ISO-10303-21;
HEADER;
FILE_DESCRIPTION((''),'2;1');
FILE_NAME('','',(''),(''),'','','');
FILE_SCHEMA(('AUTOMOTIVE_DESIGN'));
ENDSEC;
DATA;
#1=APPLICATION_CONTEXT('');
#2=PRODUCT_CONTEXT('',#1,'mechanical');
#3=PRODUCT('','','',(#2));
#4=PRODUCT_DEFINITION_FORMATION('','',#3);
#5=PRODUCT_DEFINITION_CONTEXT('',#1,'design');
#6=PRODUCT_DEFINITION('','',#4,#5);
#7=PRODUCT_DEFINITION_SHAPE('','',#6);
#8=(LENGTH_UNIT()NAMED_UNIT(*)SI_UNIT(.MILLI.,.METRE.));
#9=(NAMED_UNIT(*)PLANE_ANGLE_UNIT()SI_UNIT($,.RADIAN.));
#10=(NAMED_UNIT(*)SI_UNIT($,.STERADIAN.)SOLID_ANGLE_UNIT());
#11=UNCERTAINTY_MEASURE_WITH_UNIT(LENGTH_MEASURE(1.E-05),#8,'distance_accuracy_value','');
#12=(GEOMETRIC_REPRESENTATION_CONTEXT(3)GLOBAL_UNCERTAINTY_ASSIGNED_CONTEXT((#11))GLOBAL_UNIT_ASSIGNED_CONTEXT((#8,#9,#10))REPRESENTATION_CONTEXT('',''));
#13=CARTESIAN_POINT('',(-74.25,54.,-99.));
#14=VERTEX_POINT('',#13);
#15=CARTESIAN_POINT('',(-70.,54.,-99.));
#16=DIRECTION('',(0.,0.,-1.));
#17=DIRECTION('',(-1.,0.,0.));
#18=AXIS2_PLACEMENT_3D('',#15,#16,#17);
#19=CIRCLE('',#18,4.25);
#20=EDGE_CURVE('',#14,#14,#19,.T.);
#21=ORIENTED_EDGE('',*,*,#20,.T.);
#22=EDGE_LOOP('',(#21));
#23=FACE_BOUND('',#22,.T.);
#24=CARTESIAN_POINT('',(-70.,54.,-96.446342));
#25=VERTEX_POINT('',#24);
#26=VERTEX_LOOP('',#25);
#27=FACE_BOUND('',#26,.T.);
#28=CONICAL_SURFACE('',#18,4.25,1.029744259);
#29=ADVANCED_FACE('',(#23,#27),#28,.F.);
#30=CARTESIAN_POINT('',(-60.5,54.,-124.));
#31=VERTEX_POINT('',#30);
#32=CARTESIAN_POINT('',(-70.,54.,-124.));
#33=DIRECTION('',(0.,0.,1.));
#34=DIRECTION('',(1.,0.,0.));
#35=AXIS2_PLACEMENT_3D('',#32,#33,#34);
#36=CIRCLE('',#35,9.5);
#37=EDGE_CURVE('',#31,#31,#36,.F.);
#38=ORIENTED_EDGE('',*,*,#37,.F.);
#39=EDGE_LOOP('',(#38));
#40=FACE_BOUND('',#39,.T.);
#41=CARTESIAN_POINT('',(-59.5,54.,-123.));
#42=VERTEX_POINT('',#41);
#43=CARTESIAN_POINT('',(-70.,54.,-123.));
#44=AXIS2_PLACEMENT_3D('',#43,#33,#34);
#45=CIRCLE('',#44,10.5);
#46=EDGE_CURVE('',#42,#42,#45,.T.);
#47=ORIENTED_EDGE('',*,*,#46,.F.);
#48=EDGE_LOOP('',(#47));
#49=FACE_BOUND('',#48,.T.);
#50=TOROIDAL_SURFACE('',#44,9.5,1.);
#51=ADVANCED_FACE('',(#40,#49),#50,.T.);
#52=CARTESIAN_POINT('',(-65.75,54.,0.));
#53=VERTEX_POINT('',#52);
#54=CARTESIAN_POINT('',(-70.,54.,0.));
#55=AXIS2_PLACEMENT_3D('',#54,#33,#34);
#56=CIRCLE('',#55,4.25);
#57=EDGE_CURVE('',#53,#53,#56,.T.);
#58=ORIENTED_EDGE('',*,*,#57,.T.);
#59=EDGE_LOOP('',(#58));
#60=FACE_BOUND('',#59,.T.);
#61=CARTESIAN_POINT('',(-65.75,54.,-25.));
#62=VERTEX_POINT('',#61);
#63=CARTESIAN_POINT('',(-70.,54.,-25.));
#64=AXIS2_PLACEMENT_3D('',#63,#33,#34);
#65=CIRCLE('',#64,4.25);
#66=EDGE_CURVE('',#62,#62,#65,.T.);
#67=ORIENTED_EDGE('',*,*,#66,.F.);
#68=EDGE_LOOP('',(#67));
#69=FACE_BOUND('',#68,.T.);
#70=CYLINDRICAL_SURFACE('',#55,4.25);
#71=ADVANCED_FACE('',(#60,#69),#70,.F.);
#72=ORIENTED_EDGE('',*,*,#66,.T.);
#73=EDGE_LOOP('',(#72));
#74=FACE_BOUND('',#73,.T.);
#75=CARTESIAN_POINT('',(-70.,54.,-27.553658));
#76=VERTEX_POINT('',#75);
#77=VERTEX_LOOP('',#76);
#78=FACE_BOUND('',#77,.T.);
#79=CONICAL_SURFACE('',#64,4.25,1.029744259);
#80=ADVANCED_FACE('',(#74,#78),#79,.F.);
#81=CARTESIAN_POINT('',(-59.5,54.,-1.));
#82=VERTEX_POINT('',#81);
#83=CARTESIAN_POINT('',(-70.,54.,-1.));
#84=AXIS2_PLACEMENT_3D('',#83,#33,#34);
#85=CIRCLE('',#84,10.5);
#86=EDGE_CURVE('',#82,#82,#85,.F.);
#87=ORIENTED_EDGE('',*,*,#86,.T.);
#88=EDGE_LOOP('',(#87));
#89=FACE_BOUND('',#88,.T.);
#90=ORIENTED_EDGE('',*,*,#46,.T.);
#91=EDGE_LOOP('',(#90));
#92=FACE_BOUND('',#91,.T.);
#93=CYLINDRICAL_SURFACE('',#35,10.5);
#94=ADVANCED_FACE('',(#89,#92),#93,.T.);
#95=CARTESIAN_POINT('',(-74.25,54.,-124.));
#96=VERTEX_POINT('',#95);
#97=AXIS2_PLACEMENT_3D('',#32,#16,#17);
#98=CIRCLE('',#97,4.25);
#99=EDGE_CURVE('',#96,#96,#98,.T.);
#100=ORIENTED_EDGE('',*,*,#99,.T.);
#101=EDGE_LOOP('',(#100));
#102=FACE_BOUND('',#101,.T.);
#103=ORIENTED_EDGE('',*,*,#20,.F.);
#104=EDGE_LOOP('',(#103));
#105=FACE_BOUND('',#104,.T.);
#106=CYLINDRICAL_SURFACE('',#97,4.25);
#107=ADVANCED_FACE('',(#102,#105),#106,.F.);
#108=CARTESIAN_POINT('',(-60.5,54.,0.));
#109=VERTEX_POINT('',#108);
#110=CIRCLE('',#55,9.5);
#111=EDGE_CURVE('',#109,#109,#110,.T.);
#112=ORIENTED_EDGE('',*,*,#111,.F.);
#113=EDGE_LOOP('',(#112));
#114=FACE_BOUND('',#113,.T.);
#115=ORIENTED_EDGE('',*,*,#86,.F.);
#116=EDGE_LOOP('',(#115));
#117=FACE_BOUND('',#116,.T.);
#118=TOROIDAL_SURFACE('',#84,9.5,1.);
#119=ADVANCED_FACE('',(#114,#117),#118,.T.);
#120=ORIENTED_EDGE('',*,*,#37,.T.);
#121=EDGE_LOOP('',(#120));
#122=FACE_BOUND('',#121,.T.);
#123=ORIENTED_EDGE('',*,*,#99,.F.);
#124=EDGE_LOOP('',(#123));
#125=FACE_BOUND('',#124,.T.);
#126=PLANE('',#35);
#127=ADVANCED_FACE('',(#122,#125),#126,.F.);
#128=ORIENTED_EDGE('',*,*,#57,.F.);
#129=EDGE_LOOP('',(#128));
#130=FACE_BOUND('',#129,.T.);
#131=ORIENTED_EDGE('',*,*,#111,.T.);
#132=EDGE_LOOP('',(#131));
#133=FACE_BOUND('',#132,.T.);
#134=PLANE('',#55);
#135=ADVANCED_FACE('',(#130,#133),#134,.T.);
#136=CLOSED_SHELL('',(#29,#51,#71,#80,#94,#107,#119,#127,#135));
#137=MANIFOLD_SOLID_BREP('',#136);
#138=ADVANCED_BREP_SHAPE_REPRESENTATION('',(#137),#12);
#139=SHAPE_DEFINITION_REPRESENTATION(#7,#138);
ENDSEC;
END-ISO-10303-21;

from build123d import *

# Parameters (mm, degrees)
ESBO_O1_R                                    = 10.5
RESSALTO_EXTRUS_O1_DEPTH                     = 124
FILETE1_R                                    = 1
BROCA_DE_ROSQUEAR_PARA_TARRAXA_DE_M101_D     = 8.5
BROCA_DE_ROSQUEAR_PARA_TARRAXA_DE_M101_DEPTH = 25
BROCA_DE_ROSQUEAR_PARA_TARRAXA_DE_M101_TIP   = 2.553657631
BROCA_DE_ROSQUEAR_PARA_TARRAXA_DE_M102_D     = 8.5
BROCA_DE_ROSQUEAR_PARA_TARRAXA_DE_M102_DEPTH = 25
BROCA_DE_ROSQUEAR_PARA_TARRAXA_DE_M102_TIP   = 2.553657631


with BuildPart() as part:
    # Esboço1 → Ressalto-extrusão1 (new body)
    with BuildSketch(Plane.XY):
        with Locations((-70, 54)):
            Circle(ESBO_O1_R)
    extrude(amount=-RESSALTO_EXTRUS_O1_DEPTH)

    # Filete1
    filete1_edges = [part.edges().sort_by_distance(p)[0] for p in [
        (-80.5, 54, 0),
        (-80.5, 54, -124),
    ]]
    fillet(filete1_edges, radius=FILETE1_R)

    # Broca de rosquear para tarraxa de M101
    with Locations(Plane.XY):
        with Locations((-70, 54)):
            Hole(BROCA_DE_ROSQUEAR_PARA_TARRAXA_DE_M101_D / 2, depth=BROCA_DE_ROSQUEAR_PARA_TARRAXA_DE_M101_DEPTH)
            with Locations((0, 0, -(BROCA_DE_ROSQUEAR_PARA_TARRAXA_DE_M101_DEPTH + BROCA_DE_ROSQUEAR_PARA_TARRAXA_DE_M101_TIP / 2))):  # 118° drill point
                Cone(0, BROCA_DE_ROSQUEAR_PARA_TARRAXA_DE_M101_D / 2, BROCA_DE_ROSQUEAR_PARA_TARRAXA_DE_M101_TIP, mode=Mode.SUBTRACT)

    # Broca de rosquear para tarraxa de M102
    with Locations(Plane(origin=(0, 0, -124), x_dir=(-1, 0, 0), z_dir=(0, 0, -1))):
        with Locations((70, 54)):
            Hole(BROCA_DE_ROSQUEAR_PARA_TARRAXA_DE_M102_D / 2, depth=BROCA_DE_ROSQUEAR_PARA_TARRAXA_DE_M102_DEPTH)
            with Locations((0, 0, -(BROCA_DE_ROSQUEAR_PARA_TARRAXA_DE_M102_DEPTH + BROCA_DE_ROSQUEAR_PARA_TARRAXA_DE_M102_TIP / 2))):  # 118° drill point
                Cone(0, BROCA_DE_ROSQUEAR_PARA_TARRAXA_DE_M102_D / 2, BROCA_DE_ROSQUEAR_PARA_TARRAXA_DE_M102_TIP, mode=Mode.SUBTRACT)


solid = part.part
